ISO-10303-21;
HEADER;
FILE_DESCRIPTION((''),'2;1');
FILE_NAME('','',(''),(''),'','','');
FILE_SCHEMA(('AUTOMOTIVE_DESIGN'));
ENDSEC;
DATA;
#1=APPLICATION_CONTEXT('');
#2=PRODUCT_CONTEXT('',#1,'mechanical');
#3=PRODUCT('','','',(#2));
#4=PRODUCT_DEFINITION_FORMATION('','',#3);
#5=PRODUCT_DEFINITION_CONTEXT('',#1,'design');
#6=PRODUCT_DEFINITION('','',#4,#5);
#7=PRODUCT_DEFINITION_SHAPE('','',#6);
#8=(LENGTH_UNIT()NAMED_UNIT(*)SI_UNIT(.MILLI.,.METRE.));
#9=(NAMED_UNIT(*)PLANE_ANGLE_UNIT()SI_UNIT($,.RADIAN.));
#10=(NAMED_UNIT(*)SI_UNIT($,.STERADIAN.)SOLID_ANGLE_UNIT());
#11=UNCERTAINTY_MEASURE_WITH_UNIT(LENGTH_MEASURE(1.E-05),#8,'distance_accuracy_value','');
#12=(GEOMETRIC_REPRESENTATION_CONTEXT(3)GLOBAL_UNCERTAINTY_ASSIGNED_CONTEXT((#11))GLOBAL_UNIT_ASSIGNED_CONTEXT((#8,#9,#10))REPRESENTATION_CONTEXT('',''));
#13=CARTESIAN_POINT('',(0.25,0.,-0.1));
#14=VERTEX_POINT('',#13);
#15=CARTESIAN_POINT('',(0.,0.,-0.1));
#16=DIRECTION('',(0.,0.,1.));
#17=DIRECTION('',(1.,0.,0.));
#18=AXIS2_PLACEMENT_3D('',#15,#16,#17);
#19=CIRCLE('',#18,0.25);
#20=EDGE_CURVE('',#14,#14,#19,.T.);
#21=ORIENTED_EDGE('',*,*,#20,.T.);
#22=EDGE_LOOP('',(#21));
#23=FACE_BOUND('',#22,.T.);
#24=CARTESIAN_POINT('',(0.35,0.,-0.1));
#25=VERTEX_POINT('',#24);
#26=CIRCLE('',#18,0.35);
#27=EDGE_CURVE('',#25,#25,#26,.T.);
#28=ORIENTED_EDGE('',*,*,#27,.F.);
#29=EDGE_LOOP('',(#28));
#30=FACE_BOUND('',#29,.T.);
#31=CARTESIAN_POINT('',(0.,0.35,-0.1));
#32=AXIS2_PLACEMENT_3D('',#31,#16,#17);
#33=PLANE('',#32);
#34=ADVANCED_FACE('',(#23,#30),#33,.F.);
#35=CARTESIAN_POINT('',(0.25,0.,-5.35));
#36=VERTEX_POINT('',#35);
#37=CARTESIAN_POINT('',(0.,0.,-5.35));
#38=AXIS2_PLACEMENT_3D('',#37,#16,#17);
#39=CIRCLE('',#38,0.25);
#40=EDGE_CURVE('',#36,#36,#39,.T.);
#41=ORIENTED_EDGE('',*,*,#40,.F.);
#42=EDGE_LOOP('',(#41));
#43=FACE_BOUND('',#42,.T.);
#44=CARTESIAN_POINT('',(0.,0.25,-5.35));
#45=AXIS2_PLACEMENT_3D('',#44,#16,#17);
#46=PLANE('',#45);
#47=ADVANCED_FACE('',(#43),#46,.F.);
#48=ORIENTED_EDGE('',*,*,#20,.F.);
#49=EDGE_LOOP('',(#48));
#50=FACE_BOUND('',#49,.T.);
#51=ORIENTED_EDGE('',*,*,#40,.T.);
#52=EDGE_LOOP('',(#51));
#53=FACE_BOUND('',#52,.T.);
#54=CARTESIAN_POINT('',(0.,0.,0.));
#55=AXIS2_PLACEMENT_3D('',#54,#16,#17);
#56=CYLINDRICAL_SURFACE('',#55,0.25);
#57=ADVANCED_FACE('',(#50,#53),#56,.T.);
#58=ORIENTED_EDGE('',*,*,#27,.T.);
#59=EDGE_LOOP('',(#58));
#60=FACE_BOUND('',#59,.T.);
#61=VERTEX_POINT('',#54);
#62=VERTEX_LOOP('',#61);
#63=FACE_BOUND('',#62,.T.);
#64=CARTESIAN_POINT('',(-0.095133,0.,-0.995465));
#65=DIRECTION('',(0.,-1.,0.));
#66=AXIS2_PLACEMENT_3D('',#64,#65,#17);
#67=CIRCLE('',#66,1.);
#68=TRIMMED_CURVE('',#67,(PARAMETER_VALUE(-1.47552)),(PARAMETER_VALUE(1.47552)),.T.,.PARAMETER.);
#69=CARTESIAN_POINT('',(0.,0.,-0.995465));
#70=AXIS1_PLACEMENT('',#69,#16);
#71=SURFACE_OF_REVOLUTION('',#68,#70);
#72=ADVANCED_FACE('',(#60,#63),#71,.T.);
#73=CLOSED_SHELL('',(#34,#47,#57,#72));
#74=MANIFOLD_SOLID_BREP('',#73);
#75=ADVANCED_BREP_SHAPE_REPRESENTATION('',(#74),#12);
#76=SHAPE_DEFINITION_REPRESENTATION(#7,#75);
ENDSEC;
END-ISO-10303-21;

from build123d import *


with BuildPart() as part:
    # Sketch2 → Revolve1 (revolve)
    with BuildSketch(Plane(origin=(0, 0, 0), x_dir=(0, 0, -1), z_dir=(1, 0, 0)), mode=Mode.PRIVATE) as revolve1_sk:
        with BuildLine():
            Line((0.1, 0.35), (0.1, 0.25))
            Line((0.1, 0.25), (5.35, 0.25))
            Line((5.35, 0.25), (5.35, 0))
            Line((5.35, 0), (0, 0))
            ThreePointArc((0, 0), (0.033940648, 0.179588386), (0.1, 0.35))
        make_face()
    revolve(revolve1_sk.sketch.rotate(Axis((0, 0, 0), (0, 0, -1)), 90), axis=Axis((0, 0, 0), (0, 0, -1)))


solid = part.part
